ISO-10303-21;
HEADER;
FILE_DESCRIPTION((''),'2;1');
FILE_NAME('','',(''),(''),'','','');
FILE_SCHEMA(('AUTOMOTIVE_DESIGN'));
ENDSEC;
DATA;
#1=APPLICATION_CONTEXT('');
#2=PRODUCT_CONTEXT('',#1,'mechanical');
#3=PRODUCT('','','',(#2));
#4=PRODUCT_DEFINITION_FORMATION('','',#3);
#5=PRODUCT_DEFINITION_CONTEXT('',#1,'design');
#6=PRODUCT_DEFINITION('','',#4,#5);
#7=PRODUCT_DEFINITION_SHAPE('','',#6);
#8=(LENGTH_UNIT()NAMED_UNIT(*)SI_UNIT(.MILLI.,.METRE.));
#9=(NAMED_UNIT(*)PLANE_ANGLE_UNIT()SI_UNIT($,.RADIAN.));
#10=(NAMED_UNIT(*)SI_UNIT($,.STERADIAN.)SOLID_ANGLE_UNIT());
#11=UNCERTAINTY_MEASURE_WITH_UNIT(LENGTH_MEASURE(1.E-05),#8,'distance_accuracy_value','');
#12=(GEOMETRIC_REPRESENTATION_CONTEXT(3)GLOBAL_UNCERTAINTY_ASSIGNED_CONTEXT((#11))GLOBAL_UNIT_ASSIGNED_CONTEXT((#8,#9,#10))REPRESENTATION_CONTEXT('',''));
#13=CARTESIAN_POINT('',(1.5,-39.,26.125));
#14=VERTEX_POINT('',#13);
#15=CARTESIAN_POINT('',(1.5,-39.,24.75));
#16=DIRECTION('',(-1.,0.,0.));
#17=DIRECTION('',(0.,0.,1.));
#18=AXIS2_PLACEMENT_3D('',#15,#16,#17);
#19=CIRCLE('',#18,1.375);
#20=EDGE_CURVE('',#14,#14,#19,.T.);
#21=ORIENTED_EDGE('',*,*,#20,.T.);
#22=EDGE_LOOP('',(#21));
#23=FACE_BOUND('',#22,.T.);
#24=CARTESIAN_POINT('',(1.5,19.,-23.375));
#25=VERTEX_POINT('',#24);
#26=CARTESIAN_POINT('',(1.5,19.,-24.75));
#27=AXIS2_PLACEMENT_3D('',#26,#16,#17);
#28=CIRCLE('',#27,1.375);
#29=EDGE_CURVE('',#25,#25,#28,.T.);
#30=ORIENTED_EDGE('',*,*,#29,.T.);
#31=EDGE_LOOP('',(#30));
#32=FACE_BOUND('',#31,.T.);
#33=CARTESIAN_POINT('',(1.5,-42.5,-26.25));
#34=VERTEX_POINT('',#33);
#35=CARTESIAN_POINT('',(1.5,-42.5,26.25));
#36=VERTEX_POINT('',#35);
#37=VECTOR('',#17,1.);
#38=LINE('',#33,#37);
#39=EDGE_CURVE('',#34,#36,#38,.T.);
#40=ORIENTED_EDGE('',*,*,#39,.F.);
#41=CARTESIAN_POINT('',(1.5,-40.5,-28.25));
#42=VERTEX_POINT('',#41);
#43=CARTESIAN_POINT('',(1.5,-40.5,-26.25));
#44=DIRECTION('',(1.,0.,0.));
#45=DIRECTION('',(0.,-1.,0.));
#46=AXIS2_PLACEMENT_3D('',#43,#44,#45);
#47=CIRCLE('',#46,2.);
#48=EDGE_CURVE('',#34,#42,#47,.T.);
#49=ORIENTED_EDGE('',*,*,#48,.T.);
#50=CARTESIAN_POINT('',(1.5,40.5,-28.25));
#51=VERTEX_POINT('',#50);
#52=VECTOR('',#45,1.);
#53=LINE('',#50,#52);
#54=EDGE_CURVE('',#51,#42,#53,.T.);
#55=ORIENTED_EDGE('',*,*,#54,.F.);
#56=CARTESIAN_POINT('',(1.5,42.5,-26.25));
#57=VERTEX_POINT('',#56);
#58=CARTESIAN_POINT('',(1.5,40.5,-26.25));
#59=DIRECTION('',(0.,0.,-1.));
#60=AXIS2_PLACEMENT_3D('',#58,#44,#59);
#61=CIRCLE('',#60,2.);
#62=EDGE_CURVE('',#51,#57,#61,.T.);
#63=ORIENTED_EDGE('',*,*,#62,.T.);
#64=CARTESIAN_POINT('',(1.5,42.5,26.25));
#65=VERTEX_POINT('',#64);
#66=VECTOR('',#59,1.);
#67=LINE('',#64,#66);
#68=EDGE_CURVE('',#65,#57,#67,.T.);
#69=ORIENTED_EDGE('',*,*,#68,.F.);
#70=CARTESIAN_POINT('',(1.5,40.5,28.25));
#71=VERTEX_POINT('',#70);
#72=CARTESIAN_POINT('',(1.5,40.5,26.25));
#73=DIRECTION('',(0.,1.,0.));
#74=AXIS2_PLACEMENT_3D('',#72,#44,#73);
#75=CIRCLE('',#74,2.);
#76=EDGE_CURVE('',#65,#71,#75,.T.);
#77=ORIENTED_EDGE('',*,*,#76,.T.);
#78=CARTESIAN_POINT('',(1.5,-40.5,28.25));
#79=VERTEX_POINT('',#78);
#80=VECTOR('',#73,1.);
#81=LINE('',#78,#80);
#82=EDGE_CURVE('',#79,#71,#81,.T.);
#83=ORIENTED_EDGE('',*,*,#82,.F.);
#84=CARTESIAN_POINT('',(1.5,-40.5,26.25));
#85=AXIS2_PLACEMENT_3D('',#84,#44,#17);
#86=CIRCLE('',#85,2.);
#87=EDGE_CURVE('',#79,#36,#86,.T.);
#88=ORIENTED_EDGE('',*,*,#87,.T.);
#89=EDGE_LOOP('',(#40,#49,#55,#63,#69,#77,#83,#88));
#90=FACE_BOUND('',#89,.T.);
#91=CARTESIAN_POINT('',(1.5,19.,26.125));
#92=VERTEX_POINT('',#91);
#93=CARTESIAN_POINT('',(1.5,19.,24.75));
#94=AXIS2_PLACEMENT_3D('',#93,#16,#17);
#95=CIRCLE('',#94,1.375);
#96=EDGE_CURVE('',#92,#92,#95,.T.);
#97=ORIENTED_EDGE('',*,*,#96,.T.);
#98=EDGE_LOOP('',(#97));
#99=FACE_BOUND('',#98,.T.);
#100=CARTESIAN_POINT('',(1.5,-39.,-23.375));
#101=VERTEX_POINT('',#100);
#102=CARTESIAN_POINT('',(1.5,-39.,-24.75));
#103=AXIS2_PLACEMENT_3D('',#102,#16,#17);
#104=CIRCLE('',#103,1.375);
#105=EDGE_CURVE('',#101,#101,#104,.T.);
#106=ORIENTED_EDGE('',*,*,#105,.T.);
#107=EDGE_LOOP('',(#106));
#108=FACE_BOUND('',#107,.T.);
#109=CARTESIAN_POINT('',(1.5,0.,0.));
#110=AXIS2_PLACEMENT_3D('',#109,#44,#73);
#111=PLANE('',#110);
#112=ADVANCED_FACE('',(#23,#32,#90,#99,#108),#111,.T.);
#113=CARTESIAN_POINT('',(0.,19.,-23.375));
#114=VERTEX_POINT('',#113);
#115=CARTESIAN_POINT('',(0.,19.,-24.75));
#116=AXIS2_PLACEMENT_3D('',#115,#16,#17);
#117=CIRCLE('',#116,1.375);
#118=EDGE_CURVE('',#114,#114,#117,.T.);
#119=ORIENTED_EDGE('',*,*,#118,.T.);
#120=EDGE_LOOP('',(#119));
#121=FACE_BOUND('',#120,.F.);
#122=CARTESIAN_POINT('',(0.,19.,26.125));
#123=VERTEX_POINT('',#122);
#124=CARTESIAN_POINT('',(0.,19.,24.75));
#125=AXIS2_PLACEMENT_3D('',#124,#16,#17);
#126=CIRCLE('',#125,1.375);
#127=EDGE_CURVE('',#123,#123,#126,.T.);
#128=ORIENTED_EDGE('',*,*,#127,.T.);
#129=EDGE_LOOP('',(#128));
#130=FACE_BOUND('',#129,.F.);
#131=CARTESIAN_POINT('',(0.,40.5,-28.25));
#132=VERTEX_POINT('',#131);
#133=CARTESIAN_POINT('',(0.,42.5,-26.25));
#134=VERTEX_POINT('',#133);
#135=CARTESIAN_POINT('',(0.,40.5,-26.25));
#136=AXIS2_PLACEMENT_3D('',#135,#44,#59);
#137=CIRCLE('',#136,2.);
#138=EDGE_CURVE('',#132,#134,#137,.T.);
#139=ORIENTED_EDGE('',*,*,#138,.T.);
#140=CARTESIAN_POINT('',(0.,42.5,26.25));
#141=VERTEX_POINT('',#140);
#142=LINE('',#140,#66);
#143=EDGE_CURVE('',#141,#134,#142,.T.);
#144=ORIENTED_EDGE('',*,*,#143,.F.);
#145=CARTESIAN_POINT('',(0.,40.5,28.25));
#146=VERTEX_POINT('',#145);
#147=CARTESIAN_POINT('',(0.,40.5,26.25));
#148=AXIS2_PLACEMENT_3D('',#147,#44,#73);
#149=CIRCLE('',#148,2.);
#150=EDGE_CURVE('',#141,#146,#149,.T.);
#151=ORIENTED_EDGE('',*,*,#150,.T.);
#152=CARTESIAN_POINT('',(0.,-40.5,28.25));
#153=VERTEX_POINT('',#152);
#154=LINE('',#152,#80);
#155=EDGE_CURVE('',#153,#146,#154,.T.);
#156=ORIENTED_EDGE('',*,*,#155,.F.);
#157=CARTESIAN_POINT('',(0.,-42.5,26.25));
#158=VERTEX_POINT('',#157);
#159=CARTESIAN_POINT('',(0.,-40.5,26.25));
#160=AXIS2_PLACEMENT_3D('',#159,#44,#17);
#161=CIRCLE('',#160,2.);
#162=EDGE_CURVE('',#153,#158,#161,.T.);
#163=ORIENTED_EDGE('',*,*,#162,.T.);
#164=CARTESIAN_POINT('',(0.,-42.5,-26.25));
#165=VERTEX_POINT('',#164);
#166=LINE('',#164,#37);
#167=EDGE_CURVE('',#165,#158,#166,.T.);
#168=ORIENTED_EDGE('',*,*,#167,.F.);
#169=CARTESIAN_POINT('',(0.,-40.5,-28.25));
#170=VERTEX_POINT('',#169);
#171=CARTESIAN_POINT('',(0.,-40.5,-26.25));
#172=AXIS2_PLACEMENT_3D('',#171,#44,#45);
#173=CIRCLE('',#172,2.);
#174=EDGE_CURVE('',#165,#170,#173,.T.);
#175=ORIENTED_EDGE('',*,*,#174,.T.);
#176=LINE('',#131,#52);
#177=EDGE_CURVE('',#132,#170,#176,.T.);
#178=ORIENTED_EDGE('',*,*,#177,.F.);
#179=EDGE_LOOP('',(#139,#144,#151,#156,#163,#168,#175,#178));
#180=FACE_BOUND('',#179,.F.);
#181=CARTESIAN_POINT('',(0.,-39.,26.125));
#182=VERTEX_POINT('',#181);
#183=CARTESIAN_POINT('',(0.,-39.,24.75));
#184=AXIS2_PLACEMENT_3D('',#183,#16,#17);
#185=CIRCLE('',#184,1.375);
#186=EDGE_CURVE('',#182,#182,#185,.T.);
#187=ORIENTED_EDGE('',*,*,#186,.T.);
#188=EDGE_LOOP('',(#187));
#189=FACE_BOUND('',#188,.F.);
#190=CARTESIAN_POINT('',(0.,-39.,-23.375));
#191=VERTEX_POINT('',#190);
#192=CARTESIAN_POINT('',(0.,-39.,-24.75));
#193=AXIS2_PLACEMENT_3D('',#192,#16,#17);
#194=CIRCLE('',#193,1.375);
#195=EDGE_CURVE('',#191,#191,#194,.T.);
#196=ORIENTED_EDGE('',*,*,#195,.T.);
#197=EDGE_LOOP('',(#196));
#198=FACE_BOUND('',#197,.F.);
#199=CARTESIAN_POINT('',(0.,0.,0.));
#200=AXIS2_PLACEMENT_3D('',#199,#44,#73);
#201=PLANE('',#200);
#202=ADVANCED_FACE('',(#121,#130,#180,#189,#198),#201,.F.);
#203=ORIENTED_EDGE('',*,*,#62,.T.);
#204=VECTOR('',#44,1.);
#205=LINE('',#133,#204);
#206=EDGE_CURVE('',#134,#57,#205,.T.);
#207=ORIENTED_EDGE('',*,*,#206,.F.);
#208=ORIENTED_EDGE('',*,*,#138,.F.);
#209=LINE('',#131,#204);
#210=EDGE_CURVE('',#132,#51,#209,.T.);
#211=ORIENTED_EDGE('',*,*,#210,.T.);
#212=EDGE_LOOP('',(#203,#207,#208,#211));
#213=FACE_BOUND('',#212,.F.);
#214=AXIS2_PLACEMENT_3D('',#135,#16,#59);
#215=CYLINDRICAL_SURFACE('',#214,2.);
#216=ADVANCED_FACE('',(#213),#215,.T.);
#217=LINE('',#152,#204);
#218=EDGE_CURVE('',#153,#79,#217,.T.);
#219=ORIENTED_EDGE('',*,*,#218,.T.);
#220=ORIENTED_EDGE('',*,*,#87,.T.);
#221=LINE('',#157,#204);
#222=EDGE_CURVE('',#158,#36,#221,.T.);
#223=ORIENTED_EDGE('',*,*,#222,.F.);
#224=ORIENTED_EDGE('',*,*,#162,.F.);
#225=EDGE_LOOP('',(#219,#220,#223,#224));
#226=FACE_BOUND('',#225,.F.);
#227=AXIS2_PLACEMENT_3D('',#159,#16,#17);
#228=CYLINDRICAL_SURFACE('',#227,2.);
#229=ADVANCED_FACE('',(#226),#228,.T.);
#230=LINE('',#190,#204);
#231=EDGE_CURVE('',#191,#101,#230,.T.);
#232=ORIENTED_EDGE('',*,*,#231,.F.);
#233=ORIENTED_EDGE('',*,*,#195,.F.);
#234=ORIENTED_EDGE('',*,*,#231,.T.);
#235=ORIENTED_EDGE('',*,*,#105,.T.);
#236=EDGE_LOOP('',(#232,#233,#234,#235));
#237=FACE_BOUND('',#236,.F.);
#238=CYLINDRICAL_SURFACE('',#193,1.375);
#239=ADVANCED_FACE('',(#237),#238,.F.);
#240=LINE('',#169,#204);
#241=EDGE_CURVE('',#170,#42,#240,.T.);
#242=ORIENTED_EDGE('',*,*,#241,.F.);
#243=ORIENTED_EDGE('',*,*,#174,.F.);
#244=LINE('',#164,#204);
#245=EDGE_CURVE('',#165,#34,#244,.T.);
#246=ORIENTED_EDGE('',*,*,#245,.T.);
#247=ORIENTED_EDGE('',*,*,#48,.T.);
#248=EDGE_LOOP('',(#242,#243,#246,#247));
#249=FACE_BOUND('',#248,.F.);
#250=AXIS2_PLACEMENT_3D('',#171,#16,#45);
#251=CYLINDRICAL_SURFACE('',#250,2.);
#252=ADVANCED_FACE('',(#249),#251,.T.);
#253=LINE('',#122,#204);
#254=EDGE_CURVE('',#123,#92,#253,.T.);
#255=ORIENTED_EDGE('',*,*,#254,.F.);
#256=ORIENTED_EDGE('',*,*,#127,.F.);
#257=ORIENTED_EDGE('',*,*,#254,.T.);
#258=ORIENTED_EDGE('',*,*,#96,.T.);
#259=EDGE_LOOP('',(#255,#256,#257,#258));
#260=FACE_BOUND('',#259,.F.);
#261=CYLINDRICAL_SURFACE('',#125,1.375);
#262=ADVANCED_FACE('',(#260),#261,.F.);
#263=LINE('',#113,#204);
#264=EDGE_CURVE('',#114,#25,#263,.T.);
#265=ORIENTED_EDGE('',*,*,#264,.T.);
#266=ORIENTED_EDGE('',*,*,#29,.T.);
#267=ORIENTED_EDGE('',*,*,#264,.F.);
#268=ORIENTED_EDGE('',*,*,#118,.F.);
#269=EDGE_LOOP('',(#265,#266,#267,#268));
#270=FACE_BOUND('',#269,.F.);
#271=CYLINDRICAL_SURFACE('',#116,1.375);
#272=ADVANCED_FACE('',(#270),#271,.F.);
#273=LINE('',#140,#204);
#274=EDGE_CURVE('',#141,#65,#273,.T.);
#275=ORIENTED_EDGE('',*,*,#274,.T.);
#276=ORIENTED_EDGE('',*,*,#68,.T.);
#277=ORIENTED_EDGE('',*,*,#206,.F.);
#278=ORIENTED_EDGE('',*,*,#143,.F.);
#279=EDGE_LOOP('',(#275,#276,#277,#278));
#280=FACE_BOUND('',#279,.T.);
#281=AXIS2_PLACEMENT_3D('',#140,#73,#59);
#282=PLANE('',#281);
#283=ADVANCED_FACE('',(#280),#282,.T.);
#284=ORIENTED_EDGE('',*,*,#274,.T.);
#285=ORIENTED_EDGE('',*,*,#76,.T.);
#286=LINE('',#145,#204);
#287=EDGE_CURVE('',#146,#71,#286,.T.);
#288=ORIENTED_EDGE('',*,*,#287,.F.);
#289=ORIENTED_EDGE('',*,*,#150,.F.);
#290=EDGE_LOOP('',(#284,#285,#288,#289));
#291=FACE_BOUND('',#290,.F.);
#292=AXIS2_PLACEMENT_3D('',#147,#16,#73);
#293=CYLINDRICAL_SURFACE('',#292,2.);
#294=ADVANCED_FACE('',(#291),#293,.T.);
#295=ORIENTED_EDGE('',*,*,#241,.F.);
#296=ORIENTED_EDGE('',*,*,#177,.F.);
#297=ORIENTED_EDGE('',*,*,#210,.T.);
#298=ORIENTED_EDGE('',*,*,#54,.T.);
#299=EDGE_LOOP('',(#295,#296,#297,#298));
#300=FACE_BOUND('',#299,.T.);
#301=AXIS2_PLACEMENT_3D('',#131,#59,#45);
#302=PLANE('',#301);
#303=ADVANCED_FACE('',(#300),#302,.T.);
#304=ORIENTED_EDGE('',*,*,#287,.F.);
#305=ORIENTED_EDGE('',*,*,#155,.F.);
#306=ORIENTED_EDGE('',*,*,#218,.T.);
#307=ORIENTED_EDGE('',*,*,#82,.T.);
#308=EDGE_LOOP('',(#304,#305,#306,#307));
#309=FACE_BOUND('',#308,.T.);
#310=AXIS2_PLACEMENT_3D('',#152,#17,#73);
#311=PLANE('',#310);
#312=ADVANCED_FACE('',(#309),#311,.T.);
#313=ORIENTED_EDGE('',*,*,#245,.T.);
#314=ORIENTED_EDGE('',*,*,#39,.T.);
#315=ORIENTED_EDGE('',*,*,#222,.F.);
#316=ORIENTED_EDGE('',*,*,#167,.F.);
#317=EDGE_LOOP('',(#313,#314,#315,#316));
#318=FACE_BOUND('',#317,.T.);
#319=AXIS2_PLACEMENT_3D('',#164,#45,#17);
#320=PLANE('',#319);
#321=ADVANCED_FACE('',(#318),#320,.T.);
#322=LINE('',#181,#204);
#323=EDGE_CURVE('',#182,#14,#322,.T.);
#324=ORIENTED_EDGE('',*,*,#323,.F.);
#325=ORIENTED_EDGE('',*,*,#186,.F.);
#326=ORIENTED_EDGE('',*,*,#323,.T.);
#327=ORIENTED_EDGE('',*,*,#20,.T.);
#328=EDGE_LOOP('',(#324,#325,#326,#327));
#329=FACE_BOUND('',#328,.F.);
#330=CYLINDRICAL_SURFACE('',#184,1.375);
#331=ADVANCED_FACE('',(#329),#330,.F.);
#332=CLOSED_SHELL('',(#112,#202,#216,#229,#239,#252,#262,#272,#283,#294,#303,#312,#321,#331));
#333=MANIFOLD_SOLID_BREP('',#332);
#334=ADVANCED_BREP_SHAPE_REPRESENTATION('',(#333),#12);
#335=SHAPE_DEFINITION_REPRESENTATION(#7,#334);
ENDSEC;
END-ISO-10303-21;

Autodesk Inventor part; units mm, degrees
ref_plane "YZ Plane" through (0, 0, 0) normal (1, 0, 0) x (0, 1, 0)
ref_plane "XZ Plane" through (0, 0, 0) normal (0, 1, 0) x (-1, 0, 0)
ref_plane "XY Plane" through (0, 0, 0) normal (0, 0, 1) x (1, 0, 0)
sketch "Sketch1" plane through (0, 0, 0) normal (1, 0, 0) x (0, 1, 0)
  line L0 (-40.5, 28.25) -> (40.5, 28.25)
  line L1 (42.5, 26.25) -> (42.5, -26.25)
  line L2 (40.5, -28.25) -> (-40.5, -28.25)
  line L3 (-42.5, -26.25) -> (-42.5, 26.25)
  line L4 (-42.5, 28.25) -> (42.5, -28.25) construction
  line L5 (42.5, 28.25) -> (-42.5, -28.25) construction
  arc A0 (40.5, -28.25) -> (42.5, -26.25) centre (40.5, -26.25) ccw
  arc A1 (42.5, 26.25) -> (40.5, 28.25) centre (40.5, 26.25) ccw
  arc A2 (-40.5, 28.25) -> (-42.5, 26.25) centre (-40.5, 26.25) ccw
  arc A3 (-42.5, -26.25) -> (-40.5, -28.25) centre (-40.5, -26.25) ccw
  point P0 (0, 0)
  dimension "d0" = 85
  dimension "d1" = 56.5
  dimension "d2" = 2
extrude "Extrusion1" add sketch "Sketch1" along normal blind 1.5
sketch "Sketch2" plane through (0, 0, 0) normal (-1, 0, 0) x (0, 0, 1)
  circle A0 centre (-24.75, -39) radius 1.375
  line L0 (-26.25, -42.5) -> (26.25, -42.5) projected
  line L1 (-28.25, 40.5) -> (-28.25, -40.5) projected
  circle A1 centre (-24.75, 19) radius 1.375
  circle A2 centre (24.75, 19) radius 1.375
  circle A3 centre (24.75, -39) radius 1.375
  line L2 (28.25, -40.5) -> (28.25, 40.5) projected
  point P0 (0, 0)
  dimension "d5" = 2.75
  dimension "d6" = 3.5
  dimension "d7" = 3.5
  dimension "d8" = 2.75
  dimension "d9" = 2.75
  dimension "d10" = 2.75
  dimension "d11" = 3.5
  dimension "d12" = 58
  dimension "d13" = 58
  dimension "d14" = 3.5
  dimension "d15" = 3.5
  dimension "d16" = 3.5
extrude "Extrusion2" cut sketch "Sketch2" against normal blind 1.5
properties part number "Bord"
